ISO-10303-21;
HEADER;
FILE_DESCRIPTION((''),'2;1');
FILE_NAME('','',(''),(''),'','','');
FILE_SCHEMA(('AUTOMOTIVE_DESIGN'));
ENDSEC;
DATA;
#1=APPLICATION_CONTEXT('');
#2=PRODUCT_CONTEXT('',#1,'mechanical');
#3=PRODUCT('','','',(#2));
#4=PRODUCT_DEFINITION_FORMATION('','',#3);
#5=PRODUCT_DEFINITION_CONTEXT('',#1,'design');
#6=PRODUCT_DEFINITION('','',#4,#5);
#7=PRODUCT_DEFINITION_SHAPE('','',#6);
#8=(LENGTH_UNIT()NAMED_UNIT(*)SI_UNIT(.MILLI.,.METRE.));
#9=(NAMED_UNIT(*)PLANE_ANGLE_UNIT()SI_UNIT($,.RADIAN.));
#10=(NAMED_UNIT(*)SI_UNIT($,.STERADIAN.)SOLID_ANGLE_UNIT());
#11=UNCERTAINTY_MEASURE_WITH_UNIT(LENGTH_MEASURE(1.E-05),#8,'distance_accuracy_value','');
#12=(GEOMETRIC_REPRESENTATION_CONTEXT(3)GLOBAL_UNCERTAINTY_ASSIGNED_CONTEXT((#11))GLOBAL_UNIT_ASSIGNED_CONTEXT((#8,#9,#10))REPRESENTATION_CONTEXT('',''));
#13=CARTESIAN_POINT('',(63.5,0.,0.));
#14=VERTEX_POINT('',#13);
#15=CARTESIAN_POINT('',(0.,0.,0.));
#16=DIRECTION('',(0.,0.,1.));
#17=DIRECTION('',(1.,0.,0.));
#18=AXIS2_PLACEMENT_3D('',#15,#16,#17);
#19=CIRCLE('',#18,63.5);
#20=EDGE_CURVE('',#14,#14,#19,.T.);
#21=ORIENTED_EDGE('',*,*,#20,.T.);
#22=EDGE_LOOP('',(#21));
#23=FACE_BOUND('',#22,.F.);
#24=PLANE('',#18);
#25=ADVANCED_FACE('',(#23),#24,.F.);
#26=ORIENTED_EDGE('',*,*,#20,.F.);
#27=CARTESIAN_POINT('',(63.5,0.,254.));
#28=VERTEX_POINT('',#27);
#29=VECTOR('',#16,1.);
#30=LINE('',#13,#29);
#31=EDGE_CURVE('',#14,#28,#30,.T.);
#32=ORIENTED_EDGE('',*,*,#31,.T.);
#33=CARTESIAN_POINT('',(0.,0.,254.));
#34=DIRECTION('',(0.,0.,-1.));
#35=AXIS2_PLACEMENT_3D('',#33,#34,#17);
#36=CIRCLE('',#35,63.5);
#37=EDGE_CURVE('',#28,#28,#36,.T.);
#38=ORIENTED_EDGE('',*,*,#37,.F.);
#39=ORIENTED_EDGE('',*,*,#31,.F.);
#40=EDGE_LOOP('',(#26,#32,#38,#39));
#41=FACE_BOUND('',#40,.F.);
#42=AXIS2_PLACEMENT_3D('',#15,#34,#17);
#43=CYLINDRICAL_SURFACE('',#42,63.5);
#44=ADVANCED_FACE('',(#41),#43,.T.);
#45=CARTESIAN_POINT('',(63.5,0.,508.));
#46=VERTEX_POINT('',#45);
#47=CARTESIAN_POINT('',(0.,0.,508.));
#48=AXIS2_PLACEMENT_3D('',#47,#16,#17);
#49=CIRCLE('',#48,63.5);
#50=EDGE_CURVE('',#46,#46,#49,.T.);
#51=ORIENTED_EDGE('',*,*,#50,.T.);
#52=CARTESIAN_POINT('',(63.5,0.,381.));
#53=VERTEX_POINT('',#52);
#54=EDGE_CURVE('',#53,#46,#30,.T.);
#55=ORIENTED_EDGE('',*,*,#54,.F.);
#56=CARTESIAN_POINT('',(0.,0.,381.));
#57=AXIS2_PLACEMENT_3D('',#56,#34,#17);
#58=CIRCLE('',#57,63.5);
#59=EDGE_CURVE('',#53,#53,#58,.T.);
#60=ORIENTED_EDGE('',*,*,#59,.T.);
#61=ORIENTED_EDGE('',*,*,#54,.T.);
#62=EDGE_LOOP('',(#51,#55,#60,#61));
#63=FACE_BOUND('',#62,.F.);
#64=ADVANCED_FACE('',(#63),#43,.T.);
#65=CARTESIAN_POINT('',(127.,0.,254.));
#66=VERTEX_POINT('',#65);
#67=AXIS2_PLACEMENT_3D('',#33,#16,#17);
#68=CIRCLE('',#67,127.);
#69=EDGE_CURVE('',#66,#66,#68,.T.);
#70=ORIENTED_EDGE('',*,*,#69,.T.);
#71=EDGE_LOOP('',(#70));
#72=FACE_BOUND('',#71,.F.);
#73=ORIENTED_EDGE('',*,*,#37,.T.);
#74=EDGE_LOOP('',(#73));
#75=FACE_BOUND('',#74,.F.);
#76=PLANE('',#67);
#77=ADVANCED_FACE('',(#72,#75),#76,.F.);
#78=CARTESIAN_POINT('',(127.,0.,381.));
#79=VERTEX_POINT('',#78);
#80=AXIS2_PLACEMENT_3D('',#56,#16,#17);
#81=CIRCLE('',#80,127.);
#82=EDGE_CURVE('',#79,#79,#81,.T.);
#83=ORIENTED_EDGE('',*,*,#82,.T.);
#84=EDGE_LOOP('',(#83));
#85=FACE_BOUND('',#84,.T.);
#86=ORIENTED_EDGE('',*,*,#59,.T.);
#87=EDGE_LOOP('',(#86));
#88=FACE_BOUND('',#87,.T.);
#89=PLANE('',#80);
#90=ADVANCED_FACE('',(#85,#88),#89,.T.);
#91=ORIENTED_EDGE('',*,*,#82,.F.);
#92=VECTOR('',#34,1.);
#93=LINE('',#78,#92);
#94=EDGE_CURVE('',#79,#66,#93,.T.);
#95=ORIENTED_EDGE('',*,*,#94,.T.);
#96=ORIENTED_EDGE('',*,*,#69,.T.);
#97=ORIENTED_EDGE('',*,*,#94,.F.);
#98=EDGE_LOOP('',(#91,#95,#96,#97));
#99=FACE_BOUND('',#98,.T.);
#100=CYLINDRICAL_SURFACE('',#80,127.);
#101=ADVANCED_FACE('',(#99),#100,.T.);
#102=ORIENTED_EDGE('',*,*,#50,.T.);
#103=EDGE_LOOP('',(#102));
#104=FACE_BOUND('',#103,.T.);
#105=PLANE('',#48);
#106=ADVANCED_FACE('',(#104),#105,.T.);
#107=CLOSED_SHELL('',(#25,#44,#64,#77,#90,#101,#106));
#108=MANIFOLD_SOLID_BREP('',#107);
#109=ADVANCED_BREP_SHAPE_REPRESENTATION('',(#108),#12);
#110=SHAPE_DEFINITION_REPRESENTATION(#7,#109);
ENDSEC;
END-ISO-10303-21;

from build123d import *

# Parameters (mm, degrees)
F0_R     = 63.5
F1_DEPTH = 508
F3_R     = 127
F4_DEPTH = 127


with BuildPart() as f1:
    # F0 (on Top) → F1 (new body)
    with BuildSketch(Plane.XY):
        Circle(F0_R)
    extrude(amount=F1_DEPTH)

    # F3 (on offset) → F4 (join)
    with BuildSketch(Plane.XY.offset(381)):
        Circle(F3_R)
    extrude(amount=-F4_DEPTH)


solid = f1.part
